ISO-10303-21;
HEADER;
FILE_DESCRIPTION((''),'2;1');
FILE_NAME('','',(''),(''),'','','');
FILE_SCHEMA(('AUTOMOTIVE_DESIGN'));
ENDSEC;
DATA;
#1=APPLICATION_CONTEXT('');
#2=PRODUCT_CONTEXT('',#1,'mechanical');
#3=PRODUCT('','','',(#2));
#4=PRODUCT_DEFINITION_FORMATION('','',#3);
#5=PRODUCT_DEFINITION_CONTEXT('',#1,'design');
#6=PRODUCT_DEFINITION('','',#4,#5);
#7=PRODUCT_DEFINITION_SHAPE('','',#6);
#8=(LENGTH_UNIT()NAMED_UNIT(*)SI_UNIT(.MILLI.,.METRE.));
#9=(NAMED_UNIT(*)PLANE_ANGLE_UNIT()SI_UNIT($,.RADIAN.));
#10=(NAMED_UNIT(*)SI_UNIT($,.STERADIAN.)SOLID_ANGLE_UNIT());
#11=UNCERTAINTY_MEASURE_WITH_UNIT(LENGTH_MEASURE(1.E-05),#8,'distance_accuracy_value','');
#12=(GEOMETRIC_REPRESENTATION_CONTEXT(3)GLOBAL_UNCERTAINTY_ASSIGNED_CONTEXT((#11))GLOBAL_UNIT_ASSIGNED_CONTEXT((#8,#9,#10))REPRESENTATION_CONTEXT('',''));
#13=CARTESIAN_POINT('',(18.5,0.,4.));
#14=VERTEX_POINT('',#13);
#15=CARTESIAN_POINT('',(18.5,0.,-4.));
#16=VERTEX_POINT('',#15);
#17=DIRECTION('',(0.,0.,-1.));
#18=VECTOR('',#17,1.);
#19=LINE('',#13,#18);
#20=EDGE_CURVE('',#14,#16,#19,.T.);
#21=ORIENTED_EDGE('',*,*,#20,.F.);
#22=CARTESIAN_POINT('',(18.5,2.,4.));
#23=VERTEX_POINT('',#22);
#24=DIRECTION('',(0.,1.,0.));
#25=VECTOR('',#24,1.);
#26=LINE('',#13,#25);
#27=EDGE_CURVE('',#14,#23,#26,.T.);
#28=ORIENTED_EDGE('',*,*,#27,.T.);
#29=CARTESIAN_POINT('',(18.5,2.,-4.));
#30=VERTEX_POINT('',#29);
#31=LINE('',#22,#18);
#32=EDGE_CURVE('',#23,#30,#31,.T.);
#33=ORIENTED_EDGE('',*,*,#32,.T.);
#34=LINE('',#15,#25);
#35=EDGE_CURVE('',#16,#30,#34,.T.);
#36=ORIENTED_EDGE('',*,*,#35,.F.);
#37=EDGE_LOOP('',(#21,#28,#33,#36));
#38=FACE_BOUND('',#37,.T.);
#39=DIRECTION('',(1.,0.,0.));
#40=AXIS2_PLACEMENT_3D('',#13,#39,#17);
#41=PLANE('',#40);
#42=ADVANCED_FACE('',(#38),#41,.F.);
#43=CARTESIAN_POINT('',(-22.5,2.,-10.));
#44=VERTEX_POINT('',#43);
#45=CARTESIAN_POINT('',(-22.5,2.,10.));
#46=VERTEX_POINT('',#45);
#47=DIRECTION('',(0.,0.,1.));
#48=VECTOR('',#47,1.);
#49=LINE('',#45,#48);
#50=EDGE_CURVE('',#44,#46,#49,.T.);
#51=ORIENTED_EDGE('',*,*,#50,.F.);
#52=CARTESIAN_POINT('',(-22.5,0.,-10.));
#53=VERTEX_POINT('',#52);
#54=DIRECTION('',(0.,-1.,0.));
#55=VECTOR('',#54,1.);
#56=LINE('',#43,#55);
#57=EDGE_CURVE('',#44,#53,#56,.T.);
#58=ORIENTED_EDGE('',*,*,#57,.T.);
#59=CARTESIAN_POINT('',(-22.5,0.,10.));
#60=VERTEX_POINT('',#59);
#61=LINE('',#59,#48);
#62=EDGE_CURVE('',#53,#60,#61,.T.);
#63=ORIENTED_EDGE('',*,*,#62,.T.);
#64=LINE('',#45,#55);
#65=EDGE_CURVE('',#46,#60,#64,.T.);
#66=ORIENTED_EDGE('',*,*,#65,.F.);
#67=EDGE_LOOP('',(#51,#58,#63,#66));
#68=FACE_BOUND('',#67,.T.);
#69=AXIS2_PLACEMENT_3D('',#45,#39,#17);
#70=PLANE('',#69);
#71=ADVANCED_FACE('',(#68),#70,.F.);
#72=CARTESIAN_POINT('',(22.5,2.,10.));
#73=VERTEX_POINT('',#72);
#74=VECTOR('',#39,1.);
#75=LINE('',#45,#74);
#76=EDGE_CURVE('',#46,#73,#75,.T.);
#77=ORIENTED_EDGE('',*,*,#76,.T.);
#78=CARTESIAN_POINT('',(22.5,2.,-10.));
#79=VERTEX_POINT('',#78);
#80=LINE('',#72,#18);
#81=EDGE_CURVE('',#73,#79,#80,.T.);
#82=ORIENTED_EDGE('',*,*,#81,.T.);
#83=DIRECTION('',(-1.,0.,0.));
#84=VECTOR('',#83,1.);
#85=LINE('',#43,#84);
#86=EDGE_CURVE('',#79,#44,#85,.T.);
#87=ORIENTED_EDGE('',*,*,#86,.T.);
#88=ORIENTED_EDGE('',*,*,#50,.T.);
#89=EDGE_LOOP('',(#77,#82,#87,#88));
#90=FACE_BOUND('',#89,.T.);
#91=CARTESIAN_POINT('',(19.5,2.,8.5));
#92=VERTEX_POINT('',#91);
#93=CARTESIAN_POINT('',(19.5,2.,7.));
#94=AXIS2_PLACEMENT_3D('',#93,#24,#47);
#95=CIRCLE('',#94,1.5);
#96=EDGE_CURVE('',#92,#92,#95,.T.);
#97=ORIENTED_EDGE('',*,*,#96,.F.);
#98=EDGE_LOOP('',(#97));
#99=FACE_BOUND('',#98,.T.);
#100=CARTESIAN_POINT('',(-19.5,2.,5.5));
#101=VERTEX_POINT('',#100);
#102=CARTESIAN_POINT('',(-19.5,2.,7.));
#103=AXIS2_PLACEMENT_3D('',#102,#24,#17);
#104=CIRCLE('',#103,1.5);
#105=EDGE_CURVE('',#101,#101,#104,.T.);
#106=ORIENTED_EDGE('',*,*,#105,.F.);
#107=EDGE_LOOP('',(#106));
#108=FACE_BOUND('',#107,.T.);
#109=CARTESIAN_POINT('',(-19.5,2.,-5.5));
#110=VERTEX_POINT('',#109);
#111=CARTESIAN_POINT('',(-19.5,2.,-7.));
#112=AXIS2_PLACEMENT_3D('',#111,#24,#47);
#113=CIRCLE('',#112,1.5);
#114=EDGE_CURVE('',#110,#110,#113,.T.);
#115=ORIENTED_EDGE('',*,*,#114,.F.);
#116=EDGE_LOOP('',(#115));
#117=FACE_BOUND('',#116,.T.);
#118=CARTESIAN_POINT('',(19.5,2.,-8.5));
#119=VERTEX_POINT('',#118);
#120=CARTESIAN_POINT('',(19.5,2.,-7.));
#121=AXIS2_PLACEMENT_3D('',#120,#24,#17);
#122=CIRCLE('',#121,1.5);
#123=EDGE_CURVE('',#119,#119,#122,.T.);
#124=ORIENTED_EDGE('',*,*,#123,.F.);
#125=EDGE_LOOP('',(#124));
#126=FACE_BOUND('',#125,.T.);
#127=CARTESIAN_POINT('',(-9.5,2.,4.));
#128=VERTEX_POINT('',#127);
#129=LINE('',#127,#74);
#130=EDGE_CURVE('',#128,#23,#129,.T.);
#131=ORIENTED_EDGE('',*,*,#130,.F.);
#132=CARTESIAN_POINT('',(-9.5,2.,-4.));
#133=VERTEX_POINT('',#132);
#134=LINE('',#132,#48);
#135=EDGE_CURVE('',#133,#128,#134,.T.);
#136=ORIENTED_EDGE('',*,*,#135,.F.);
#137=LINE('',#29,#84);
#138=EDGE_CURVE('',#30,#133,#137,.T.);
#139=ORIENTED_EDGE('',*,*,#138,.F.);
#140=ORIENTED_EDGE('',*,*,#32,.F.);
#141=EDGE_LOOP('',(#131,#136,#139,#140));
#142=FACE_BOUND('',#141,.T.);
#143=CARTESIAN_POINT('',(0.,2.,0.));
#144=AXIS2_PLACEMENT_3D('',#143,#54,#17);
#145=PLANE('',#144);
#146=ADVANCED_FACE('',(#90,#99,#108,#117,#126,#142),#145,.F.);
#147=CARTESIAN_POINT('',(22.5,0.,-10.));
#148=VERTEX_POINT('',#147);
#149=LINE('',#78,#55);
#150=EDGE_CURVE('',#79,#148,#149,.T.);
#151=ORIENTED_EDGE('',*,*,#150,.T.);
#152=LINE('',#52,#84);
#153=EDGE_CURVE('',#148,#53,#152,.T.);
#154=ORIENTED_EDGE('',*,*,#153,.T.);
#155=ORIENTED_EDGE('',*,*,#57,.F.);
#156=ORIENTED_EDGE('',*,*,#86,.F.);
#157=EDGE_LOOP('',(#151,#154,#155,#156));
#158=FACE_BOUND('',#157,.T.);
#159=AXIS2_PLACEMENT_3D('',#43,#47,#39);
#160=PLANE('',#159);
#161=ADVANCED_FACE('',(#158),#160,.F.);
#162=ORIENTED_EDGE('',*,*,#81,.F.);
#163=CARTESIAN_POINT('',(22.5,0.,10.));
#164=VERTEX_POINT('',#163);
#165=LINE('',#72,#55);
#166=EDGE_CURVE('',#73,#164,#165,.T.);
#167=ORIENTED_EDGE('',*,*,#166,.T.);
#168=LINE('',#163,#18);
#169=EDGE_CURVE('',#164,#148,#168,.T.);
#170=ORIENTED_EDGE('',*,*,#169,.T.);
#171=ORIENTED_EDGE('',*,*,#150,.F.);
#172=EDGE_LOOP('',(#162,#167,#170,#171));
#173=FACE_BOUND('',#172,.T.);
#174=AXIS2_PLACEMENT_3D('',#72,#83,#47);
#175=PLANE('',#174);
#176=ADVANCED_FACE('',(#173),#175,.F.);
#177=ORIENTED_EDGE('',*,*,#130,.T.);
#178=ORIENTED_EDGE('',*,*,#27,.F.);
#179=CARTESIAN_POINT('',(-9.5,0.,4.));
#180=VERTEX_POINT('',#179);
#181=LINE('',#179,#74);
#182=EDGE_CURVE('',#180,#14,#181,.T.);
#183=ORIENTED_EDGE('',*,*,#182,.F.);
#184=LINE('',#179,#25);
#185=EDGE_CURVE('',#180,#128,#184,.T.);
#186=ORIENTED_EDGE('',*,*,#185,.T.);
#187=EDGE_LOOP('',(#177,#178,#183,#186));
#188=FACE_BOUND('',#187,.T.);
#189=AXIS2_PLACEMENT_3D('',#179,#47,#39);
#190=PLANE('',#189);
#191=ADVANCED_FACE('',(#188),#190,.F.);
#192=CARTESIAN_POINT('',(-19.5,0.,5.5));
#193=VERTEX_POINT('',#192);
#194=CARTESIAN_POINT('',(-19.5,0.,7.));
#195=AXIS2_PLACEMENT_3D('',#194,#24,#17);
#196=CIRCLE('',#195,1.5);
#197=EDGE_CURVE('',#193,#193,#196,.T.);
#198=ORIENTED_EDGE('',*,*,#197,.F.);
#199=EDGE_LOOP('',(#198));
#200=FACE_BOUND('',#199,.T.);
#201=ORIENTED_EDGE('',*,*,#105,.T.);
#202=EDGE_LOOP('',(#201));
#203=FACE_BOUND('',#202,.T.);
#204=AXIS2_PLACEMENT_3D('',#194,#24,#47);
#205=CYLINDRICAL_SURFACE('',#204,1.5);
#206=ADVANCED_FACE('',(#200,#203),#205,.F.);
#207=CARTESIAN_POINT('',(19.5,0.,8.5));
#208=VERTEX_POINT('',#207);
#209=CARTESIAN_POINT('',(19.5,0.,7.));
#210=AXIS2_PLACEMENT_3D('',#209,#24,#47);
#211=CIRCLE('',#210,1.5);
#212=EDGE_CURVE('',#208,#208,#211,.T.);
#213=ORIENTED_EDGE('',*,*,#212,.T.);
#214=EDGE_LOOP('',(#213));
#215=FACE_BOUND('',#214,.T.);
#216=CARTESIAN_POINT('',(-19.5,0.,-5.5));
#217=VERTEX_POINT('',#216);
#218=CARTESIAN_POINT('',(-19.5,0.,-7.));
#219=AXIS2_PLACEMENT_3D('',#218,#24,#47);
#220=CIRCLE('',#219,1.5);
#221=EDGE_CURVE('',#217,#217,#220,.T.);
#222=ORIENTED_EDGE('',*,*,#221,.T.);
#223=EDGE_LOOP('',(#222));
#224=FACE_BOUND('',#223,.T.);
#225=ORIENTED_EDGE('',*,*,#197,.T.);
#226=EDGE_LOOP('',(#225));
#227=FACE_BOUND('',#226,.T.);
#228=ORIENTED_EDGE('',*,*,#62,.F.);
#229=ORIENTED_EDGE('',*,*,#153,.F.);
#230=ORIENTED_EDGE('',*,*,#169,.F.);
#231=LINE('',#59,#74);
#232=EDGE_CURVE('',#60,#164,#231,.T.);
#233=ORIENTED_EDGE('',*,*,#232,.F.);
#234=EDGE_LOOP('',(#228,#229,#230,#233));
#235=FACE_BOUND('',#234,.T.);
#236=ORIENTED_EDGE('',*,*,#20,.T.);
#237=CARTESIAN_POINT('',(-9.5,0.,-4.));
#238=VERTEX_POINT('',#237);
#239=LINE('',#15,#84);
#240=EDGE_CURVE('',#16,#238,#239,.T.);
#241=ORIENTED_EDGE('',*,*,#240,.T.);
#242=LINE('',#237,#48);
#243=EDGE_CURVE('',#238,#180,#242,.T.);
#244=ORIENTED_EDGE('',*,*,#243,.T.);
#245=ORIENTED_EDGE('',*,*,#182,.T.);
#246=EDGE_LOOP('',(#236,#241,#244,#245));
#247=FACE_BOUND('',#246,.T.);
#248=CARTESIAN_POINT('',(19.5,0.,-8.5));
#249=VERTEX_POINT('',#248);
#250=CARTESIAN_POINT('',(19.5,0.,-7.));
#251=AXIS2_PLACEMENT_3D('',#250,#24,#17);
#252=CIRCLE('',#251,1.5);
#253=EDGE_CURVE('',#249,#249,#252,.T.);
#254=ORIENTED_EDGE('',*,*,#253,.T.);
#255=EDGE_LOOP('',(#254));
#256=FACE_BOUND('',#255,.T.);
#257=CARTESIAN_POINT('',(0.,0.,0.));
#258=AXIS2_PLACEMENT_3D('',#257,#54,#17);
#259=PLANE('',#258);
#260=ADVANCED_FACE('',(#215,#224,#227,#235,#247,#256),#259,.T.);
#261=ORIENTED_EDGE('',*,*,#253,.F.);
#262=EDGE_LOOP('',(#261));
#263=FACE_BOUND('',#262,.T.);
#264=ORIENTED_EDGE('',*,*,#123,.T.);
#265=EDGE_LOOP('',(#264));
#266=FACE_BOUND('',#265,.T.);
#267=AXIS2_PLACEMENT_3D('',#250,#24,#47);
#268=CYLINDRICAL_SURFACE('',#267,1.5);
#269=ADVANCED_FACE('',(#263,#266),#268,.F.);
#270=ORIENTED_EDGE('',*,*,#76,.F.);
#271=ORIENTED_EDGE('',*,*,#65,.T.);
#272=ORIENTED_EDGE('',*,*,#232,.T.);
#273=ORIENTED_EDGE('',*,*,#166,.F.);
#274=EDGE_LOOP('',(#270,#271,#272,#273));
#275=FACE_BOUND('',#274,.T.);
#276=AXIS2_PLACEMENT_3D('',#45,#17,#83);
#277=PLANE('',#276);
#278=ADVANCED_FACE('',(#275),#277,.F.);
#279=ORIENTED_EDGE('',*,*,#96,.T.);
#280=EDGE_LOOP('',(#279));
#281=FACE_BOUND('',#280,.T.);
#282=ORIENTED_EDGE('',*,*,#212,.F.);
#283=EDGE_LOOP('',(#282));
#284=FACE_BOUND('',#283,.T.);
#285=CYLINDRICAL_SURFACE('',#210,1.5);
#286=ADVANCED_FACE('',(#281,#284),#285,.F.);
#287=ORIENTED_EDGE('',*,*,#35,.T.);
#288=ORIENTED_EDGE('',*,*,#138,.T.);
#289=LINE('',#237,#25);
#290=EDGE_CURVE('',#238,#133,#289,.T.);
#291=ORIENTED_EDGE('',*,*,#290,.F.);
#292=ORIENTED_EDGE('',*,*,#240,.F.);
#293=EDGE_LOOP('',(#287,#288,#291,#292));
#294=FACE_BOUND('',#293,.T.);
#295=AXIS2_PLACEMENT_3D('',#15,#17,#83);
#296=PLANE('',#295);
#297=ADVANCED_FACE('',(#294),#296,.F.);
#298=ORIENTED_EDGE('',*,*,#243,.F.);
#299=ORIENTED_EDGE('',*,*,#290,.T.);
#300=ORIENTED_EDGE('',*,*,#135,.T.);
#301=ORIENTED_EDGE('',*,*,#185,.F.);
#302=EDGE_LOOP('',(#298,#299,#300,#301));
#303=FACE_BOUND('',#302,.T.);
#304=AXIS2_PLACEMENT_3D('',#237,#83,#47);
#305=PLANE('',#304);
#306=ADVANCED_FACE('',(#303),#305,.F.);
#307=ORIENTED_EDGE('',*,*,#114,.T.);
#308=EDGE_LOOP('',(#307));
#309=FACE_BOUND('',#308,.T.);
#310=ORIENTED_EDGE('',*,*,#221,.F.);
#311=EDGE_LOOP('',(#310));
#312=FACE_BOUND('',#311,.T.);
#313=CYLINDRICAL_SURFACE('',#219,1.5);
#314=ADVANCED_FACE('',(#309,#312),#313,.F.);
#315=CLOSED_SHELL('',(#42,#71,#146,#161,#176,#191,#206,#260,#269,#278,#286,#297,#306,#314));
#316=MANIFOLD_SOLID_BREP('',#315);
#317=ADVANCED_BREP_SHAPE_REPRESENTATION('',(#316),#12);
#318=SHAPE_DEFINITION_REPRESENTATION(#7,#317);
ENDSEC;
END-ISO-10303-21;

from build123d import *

# Parameters (mm, degrees)
CROQUIS2_W              = 45
CROQUIS2_H              = 20
SALIENTE_EXTRUIR1_DEPTH = 2
CROQUIS3_R              = 1.5
CORTAR_EXTRUIR1_DEPTH   = 3
CROQUIS4_W              = 28
CROQUIS4_H              = 8
CORTAR_EXTRUIR2_DEPTH   = 3


with BuildPart() as part:
    # Croquis2 → Saliente-Extruir1 (new body)
    with BuildSketch(Plane(origin=(0, 0, 0), x_dir=(1, 0, 0), z_dir=(0, 1, 0))):
        Rectangle(CROQUIS2_W, CROQUIS2_H)
    extrude(amount=SALIENTE_EXTRUIR1_DEPTH)

    # Croquis3 → Cortar-Extruir1 (cut, through all)
    with BuildSketch(Plane(origin=(0, 2, 0), x_dir=(1, 0, 0), z_dir=(0, 1, 0))):
        with Locations((-19.5, 7)):
            Circle(CROQUIS3_R)
        with Locations((19.5, 7)):
            Circle(CROQUIS3_R)
        with Locations((-19.5, -7)):
            Circle(CROQUIS3_R)
        with Locations((19.5, -7)):
            Circle(CROQUIS3_R)
    extrude(amount=-CORTAR_EXTRUIR1_DEPTH, mode=Mode.SUBTRACT)

    # Croquis4 → Cortar-Extruir2 (cut, through all)
    with BuildSketch(Plane(origin=(0, 2, 0), x_dir=(1, 0, 0), z_dir=(0, 1, 0))):
        with Locations((4.5, 0)):
            Rectangle(CROQUIS4_W, CROQUIS4_H)
    extrude(amount=-CORTAR_EXTRUIR2_DEPTH, mode=Mode.SUBTRACT)


solid = part.part
